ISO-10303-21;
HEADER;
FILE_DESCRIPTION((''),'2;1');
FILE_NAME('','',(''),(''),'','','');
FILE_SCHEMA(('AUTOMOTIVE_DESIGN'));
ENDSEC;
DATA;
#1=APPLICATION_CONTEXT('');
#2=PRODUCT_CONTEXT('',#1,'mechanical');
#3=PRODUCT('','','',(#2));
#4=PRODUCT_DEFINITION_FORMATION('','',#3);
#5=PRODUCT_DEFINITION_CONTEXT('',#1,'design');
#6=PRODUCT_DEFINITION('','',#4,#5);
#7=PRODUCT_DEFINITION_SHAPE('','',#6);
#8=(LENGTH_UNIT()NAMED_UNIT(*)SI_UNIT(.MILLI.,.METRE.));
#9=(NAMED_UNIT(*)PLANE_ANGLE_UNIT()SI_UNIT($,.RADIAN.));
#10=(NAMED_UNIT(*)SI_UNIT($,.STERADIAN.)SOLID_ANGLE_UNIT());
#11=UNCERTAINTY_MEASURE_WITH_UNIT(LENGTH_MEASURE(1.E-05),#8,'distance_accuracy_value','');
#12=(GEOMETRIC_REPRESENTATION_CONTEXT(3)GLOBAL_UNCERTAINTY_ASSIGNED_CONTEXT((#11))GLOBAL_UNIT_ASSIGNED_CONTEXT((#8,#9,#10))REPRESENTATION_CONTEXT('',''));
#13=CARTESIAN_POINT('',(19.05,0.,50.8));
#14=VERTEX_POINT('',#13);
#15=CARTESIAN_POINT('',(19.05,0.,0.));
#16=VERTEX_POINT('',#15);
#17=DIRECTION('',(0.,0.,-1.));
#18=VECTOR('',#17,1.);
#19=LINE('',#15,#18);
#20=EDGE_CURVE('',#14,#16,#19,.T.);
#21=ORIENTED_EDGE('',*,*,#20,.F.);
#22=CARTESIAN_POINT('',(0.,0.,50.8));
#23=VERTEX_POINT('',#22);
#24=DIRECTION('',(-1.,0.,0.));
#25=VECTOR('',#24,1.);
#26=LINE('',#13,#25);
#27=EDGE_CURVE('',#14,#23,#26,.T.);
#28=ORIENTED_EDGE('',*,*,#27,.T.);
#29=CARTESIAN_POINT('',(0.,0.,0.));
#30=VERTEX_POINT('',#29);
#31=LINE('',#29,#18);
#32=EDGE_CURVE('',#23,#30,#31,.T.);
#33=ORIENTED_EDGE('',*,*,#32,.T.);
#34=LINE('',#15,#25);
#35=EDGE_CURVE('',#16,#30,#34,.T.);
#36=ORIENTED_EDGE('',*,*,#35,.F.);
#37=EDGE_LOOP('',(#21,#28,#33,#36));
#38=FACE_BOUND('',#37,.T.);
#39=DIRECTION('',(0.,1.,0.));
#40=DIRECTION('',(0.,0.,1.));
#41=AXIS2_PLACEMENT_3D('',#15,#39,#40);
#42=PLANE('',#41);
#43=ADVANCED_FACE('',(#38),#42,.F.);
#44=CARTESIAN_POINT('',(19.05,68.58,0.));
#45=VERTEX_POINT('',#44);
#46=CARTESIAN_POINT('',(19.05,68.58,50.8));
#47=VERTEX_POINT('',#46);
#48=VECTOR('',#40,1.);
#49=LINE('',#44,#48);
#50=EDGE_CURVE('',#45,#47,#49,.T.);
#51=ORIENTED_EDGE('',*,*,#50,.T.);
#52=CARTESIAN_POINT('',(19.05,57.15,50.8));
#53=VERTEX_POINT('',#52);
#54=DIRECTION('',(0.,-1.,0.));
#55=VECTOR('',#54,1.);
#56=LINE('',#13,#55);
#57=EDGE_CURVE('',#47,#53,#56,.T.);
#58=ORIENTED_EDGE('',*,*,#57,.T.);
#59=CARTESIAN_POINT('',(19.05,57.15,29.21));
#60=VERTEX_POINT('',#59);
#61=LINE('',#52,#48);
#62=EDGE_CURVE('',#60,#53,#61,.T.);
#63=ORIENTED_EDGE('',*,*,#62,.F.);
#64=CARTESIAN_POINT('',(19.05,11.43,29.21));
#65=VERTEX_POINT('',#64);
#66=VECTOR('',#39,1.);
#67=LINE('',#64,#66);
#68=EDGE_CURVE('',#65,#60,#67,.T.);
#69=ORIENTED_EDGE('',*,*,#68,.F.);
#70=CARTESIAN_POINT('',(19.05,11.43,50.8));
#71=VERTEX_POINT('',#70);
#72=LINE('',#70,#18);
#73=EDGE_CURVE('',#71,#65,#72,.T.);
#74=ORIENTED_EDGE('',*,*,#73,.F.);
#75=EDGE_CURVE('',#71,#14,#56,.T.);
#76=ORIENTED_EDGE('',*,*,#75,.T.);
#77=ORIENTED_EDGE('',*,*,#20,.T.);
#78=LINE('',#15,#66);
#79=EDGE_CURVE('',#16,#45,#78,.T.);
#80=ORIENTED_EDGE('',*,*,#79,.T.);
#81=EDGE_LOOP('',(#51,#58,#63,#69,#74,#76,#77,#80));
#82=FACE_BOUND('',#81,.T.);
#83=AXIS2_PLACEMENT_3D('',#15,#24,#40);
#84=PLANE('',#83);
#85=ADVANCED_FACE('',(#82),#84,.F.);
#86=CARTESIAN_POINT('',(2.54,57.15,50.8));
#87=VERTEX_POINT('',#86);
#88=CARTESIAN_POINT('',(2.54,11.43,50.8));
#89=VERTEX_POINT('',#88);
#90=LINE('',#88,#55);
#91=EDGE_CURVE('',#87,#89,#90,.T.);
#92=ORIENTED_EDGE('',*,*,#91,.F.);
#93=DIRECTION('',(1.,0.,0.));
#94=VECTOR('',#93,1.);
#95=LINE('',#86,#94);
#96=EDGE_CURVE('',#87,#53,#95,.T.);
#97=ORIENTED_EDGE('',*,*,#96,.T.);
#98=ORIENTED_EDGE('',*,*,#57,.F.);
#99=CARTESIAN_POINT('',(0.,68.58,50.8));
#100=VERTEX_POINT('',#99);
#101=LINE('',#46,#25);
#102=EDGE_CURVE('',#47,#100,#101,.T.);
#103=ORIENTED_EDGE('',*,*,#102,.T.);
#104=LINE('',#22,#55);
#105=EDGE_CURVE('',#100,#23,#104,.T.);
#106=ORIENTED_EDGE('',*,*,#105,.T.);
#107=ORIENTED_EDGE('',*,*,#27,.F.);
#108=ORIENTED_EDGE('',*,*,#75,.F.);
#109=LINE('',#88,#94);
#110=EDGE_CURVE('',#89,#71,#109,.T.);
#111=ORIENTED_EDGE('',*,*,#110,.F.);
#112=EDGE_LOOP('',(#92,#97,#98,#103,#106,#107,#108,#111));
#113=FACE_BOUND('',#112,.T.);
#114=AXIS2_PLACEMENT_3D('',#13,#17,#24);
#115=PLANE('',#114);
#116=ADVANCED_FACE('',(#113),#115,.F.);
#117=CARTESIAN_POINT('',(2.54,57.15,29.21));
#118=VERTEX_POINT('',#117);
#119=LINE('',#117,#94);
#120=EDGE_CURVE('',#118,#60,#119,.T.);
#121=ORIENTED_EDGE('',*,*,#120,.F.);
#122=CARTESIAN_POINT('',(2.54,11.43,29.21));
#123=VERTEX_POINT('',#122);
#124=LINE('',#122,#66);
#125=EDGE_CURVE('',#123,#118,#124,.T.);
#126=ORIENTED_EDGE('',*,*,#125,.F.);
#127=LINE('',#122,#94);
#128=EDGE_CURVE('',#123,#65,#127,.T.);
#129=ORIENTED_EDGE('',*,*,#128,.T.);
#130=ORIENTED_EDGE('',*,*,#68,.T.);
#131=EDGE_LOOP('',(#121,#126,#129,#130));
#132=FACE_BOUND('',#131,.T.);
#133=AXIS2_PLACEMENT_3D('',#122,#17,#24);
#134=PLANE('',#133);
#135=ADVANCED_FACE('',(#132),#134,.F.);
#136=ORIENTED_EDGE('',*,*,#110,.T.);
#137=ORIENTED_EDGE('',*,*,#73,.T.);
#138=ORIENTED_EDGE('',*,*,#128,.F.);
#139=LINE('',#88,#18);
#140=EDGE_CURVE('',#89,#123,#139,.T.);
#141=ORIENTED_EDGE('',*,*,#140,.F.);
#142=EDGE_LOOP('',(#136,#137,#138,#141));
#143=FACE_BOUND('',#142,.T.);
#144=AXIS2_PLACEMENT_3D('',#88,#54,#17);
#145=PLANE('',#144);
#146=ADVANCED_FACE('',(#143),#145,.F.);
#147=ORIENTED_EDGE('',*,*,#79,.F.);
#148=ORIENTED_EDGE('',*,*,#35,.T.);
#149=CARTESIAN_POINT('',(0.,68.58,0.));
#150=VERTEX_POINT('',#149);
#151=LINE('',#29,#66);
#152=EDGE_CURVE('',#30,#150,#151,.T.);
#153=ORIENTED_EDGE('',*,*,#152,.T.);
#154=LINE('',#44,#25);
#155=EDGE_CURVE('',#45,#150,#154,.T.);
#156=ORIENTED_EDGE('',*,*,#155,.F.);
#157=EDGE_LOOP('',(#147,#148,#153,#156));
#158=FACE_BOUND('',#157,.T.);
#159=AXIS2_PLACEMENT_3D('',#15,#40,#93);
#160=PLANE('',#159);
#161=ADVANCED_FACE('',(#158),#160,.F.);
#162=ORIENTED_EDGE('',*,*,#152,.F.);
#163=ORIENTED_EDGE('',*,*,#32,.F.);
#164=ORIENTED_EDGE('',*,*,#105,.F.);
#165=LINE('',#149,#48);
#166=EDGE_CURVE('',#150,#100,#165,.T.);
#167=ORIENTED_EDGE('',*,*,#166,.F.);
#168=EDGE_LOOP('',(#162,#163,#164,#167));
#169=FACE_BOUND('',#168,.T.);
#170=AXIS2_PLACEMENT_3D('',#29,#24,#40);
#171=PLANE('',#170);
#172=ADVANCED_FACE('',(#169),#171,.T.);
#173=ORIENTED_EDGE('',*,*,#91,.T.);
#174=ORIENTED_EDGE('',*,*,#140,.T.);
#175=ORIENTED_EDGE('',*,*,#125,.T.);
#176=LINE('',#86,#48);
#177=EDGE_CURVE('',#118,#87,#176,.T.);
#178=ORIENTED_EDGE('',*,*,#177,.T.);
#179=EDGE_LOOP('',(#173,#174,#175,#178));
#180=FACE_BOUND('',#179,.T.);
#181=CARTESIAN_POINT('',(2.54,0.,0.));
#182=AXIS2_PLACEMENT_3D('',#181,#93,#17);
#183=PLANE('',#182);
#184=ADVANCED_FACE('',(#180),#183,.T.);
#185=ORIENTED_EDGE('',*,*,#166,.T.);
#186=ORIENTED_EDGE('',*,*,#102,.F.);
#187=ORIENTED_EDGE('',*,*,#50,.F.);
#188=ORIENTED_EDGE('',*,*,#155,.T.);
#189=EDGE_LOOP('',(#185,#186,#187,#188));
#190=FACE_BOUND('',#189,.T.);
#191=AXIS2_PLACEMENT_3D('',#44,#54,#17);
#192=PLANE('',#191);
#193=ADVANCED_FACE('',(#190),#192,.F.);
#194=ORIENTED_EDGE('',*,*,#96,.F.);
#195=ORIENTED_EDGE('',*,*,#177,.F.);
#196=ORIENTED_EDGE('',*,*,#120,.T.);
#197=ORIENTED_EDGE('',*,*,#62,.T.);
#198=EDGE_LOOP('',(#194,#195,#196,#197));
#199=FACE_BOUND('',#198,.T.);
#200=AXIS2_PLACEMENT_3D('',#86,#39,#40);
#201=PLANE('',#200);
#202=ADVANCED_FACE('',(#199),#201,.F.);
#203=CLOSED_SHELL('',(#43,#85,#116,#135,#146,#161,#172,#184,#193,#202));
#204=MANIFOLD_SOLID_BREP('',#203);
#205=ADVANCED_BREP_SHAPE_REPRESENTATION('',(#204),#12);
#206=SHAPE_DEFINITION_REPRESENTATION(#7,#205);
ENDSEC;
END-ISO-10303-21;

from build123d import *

# Parameters (mm, degrees)
SKETCH1_W           = 68.58
SKETCH1_H           = 50.8
BOSS_EXTRUDE1_DEPTH = 19.05
SKETCH2_W           = 45.72
SKETCH2_H           = 21.59
CUT_EXTRUDE1_DEPTH  = 16.51


with BuildPart() as part:
    # Sketch1 → Boss-Extrude1 (new body)
    with BuildSketch(Plane.YZ):
        with Locations((34.29, 25.4)):
            Rectangle(SKETCH1_W, SKETCH1_H)
    extrude(amount=BOSS_EXTRUDE1_DEPTH)

    # Sketch2 → Cut-Extrude1 (cut)
    with BuildSketch(Plane.YZ.offset(19.05)):
        with Locations((34.29, 40.005)):
            Rectangle(SKETCH2_W, SKETCH2_H)
    extrude(amount=-CUT_EXTRUDE1_DEPTH, mode=Mode.SUBTRACT)


solid = part.part
